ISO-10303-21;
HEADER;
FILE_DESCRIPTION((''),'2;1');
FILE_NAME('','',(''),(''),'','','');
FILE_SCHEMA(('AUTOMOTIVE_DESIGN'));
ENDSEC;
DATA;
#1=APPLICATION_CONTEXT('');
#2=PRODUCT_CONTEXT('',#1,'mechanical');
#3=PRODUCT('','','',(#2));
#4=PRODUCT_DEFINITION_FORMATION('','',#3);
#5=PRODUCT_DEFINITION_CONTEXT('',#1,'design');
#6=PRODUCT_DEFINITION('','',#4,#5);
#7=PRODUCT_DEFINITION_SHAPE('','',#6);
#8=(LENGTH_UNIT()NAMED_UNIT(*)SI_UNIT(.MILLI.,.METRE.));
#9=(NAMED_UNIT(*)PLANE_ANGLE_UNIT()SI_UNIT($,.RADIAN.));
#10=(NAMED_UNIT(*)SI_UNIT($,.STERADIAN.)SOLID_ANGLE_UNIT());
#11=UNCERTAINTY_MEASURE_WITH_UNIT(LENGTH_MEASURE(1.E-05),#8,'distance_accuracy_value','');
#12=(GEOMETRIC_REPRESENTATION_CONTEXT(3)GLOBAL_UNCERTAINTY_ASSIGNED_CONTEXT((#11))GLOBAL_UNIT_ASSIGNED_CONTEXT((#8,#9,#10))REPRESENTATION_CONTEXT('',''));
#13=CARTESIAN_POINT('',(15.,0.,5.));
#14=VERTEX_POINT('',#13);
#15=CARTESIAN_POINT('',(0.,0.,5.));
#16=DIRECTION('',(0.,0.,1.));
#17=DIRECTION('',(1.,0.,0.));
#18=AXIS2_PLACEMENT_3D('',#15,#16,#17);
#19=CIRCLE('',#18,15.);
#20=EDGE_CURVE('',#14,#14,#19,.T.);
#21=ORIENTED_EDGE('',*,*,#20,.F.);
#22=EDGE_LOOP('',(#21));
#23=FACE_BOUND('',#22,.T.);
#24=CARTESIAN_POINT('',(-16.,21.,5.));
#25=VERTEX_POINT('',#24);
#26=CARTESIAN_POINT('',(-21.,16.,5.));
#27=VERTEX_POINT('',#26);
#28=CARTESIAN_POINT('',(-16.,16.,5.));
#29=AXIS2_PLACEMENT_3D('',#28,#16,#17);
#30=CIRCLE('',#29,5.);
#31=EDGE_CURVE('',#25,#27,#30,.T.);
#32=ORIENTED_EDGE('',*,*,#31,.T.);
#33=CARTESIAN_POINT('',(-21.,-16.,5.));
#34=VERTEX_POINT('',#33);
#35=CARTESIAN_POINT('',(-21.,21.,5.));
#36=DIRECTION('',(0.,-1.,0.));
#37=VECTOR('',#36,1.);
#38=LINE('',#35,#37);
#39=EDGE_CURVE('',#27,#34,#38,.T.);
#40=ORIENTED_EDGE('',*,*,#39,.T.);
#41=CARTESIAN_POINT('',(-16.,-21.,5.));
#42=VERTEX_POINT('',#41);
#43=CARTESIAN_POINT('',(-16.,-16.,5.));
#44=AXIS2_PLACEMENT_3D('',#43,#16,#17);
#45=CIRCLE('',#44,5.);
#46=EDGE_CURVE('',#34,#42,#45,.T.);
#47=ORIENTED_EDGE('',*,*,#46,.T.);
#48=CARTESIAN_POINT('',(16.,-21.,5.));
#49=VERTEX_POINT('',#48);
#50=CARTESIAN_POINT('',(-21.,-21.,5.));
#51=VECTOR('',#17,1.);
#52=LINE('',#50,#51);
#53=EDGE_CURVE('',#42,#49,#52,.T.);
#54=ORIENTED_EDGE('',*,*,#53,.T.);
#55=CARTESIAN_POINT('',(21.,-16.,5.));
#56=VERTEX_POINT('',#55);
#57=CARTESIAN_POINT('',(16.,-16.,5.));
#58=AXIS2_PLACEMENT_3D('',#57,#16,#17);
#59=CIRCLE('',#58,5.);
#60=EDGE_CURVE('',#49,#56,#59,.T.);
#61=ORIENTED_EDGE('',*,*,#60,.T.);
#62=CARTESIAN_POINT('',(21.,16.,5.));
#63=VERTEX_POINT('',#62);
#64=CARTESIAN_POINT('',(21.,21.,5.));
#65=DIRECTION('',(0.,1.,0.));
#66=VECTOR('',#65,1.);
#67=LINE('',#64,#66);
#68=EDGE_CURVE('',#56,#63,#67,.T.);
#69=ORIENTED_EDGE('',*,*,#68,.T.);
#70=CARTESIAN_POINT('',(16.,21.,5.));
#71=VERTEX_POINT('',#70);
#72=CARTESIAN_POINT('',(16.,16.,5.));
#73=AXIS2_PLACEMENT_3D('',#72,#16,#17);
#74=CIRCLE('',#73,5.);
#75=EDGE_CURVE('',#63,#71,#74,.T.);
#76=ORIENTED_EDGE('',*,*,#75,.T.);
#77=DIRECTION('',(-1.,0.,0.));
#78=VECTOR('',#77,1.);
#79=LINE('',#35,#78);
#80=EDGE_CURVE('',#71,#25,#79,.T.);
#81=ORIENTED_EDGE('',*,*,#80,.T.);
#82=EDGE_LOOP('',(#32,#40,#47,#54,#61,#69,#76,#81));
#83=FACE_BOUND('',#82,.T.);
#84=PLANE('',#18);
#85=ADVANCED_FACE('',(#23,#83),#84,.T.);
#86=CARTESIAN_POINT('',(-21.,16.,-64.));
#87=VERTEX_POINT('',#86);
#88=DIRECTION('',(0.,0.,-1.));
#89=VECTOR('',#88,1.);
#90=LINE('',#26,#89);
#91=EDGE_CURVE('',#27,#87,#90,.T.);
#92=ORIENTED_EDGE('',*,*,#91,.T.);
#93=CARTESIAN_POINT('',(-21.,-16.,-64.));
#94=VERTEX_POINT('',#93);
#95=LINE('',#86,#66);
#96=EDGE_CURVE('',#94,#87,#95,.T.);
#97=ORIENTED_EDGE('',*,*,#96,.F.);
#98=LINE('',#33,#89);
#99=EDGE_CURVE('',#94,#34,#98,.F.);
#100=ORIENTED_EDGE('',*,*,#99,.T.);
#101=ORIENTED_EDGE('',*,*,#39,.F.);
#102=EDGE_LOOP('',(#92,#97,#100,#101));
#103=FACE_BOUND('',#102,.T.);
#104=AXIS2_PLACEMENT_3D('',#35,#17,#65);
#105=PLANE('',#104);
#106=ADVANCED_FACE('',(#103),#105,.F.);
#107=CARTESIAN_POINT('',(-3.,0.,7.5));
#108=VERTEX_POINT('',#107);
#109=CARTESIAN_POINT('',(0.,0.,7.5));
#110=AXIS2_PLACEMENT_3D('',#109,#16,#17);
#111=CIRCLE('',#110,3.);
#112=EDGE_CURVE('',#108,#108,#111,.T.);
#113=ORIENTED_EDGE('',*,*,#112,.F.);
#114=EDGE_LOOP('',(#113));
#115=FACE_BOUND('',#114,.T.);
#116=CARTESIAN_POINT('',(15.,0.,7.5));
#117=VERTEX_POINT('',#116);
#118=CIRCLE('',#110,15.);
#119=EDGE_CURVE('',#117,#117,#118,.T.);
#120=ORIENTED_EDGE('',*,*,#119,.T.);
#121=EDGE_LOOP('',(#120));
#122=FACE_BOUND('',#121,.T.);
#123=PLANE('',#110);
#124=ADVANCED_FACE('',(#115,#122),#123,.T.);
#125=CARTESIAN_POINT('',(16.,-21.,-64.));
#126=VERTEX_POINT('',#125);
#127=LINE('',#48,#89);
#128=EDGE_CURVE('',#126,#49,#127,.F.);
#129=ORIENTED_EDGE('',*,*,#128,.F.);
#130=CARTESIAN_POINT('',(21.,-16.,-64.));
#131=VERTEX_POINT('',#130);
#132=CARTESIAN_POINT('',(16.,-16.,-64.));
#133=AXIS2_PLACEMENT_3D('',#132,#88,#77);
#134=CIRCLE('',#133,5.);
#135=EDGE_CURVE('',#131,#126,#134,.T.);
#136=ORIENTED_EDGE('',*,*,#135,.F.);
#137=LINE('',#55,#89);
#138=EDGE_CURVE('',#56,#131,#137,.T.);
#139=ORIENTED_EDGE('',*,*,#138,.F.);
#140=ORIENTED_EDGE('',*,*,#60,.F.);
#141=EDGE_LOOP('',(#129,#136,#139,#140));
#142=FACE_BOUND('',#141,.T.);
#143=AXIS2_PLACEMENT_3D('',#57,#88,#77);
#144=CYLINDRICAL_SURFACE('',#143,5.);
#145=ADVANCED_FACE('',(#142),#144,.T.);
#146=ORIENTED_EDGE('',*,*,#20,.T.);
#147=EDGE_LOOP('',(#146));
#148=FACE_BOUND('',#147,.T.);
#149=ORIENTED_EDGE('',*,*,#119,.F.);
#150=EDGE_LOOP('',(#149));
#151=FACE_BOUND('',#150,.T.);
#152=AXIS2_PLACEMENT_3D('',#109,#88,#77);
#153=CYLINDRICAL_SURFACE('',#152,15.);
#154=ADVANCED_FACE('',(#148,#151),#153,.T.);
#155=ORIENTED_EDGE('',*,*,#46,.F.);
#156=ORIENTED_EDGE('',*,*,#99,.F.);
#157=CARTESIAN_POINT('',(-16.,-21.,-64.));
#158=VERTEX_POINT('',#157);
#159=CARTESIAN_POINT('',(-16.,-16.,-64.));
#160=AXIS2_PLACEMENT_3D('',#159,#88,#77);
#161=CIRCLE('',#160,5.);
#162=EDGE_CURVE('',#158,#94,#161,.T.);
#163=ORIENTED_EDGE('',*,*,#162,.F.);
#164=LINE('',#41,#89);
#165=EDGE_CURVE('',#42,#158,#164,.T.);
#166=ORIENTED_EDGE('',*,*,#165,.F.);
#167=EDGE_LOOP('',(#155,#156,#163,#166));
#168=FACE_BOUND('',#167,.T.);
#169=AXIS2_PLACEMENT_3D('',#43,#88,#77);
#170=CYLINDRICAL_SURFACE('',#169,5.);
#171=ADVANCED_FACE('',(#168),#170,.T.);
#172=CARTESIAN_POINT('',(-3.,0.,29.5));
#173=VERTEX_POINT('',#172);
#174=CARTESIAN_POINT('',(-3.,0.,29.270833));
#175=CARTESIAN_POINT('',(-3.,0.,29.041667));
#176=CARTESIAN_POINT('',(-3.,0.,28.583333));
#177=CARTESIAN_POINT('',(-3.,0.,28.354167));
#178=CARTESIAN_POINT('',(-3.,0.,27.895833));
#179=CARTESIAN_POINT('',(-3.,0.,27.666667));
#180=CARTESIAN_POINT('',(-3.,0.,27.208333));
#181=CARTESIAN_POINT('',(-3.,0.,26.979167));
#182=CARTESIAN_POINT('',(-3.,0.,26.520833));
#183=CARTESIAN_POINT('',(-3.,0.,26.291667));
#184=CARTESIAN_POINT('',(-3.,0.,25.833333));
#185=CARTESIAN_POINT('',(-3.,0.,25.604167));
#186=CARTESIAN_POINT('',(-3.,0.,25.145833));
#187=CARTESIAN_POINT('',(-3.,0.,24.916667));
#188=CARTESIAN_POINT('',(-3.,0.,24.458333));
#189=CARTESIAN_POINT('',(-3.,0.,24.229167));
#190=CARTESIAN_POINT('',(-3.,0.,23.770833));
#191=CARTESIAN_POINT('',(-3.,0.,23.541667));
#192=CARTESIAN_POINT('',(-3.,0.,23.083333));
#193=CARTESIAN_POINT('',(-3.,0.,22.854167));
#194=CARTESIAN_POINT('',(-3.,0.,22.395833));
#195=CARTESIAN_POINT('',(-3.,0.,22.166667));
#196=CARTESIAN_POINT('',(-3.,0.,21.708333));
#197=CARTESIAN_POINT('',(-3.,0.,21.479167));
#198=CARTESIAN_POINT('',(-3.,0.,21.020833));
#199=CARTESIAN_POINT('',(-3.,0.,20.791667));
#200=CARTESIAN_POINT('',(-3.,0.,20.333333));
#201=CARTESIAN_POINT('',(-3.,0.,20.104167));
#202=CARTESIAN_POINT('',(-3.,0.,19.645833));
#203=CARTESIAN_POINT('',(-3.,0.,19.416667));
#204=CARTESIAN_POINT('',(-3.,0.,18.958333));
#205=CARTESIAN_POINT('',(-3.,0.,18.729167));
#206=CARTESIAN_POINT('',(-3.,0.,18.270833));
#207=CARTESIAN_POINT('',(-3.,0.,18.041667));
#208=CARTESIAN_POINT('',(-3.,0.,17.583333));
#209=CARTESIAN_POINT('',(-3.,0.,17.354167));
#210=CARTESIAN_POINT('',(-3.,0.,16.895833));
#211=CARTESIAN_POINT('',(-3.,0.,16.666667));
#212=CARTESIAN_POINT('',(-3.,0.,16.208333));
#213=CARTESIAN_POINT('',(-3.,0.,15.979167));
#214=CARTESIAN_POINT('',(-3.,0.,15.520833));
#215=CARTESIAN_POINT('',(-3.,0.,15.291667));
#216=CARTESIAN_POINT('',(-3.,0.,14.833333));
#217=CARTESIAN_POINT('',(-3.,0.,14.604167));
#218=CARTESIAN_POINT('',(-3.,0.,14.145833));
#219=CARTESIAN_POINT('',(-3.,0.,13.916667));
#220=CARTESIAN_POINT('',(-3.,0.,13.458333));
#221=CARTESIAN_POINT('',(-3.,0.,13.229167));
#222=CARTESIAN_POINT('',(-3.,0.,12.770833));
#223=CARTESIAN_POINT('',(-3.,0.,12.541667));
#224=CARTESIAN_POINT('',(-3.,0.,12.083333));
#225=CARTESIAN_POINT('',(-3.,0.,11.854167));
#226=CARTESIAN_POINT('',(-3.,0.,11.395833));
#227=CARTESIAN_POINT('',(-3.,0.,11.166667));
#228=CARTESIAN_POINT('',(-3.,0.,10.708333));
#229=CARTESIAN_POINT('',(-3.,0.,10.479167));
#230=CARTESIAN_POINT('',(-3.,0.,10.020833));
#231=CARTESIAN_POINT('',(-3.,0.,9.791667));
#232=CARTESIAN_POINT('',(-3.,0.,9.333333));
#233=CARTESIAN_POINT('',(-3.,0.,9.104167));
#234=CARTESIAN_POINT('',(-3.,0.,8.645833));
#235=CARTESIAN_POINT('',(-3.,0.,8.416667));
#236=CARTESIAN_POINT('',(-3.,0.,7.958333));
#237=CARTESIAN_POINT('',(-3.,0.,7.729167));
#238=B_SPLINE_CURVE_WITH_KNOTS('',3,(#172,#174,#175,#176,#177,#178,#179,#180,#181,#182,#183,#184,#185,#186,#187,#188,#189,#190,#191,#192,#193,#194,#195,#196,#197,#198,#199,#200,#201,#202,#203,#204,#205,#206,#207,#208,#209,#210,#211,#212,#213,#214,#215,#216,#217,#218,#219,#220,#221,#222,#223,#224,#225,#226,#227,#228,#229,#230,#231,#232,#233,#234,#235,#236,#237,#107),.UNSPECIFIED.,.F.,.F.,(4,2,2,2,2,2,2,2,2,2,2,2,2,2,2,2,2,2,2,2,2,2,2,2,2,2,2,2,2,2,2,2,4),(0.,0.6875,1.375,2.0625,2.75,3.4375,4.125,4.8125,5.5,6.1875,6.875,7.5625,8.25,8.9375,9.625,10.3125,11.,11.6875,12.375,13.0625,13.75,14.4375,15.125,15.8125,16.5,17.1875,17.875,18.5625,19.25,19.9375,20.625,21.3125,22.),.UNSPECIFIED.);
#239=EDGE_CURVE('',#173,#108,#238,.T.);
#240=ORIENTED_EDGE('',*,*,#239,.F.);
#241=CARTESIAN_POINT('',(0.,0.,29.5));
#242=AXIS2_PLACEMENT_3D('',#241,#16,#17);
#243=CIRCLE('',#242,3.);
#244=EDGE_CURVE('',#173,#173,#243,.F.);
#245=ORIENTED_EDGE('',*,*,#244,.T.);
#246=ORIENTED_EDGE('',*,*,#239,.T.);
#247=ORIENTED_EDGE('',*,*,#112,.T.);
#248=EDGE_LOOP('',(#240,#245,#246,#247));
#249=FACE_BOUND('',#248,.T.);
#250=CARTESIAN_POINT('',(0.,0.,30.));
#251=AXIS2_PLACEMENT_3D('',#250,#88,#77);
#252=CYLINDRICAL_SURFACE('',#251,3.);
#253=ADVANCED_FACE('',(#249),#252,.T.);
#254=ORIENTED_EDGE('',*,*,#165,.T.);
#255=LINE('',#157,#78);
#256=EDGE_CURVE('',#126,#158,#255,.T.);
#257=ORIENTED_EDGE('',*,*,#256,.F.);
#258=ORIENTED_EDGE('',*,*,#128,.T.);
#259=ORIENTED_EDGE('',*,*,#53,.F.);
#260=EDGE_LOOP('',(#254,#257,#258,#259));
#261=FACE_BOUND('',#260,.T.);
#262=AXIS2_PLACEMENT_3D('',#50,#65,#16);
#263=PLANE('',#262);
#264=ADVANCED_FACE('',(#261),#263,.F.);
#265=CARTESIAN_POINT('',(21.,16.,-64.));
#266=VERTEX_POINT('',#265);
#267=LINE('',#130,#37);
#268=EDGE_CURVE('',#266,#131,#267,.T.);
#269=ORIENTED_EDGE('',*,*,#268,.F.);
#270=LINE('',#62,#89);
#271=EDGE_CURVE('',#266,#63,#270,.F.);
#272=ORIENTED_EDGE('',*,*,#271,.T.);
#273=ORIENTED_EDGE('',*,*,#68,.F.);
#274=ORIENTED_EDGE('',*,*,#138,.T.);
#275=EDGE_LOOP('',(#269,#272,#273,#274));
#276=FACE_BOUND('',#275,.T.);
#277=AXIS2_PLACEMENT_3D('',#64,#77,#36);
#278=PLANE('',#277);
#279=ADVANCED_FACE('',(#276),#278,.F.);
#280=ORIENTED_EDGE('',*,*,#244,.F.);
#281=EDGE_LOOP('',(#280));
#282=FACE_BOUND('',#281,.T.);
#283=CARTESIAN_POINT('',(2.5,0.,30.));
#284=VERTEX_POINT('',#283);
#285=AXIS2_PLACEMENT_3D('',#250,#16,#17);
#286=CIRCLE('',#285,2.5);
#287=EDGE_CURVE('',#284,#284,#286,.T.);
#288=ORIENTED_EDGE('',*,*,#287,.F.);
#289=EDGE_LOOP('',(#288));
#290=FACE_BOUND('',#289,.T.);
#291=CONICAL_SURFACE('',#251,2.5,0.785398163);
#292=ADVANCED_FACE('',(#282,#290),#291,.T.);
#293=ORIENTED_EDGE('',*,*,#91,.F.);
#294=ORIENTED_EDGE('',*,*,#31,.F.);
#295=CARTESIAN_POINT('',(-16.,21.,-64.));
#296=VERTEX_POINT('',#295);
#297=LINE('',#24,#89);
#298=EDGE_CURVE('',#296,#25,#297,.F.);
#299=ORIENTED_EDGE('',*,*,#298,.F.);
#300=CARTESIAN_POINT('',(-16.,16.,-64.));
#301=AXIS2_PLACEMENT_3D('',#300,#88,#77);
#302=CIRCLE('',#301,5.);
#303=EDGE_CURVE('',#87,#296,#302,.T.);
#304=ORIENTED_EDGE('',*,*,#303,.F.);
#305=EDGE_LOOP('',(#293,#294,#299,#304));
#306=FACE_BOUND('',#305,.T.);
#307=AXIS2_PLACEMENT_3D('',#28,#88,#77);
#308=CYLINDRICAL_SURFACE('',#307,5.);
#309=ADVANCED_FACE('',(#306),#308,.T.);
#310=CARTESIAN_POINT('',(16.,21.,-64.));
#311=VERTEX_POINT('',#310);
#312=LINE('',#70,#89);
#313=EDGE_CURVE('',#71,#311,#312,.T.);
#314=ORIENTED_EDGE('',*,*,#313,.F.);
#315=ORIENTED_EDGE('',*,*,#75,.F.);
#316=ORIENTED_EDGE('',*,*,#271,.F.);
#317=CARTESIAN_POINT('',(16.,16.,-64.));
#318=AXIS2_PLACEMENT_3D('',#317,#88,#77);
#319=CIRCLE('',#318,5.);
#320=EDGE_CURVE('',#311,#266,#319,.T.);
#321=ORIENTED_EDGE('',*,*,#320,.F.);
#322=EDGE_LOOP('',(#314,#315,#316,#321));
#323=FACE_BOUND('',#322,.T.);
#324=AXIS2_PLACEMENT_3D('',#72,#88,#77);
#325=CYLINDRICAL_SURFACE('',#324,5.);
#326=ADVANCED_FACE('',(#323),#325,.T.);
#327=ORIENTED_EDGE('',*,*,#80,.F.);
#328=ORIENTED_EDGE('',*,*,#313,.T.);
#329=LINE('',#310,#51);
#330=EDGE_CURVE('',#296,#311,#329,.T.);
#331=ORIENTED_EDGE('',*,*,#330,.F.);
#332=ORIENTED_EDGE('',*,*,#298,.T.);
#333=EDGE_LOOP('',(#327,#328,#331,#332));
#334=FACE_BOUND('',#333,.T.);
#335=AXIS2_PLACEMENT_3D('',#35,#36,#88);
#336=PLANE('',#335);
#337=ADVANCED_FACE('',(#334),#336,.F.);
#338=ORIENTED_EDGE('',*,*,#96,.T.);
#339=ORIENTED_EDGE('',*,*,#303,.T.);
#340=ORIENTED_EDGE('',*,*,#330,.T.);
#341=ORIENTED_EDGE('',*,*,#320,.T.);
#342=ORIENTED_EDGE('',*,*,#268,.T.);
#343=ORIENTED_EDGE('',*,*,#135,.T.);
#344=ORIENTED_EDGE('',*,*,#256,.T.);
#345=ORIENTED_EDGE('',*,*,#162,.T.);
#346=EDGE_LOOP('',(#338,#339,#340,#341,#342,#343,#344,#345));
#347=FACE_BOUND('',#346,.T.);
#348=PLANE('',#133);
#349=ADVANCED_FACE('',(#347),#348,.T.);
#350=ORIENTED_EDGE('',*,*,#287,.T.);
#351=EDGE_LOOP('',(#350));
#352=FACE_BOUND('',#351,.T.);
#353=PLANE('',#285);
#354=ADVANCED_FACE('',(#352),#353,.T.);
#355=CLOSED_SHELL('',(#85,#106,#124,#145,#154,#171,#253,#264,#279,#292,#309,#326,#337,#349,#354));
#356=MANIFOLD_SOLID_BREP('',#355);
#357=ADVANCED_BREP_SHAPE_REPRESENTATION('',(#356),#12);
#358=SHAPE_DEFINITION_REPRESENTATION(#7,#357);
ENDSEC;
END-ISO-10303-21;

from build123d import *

# Parameters (mm, degrees)
SKETCH1_W           = 42
SKETCH1_H           = 42
BOSS_EXTRUDE1_DEPTH = 5
FILLET1_R           = 5
SKETCH2_R           = 15
BOSS_EXTRUDE2_DEPTH = 2.5
SKETCH3_R           = 3
BOSS_EXTRUDE3_DEPTH = 22.5
BOSS_EXTRUDE5_DEPTH = 64
CHAMFER1_SIZE       = 0.5


with BuildPart() as part:
    # Sketch1 → Boss-Extrude1 (new body)
    with BuildSketch(Plane.XY):
        Rectangle(SKETCH1_W, SKETCH1_H)
    extrude(amount=BOSS_EXTRUDE1_DEPTH)

    # Fillet1
    fillet1_edges = [part.edges().sort_by_distance(p)[0] for p in [
        (21, -21, 2.5),
        (-21, -21, 2.5),
        (-21, 21, 2.5),
        (21, 21, 2.5),
    ]]
    fillet(fillet1_edges, radius=FILLET1_R)

    # Sketch2 → Boss-Extrude2 (add)
    with BuildSketch(Plane.XY.offset(5)):
        Circle(SKETCH2_R)
    extrude(amount=BOSS_EXTRUDE2_DEPTH)

    # Sketch3 → Boss-Extrude3 (add)
    with BuildSketch(Plane.XY.offset(7.5)):
        with Locations(Location((0, 0, 0), (0, 0, 180))):
            Circle(SKETCH3_R)
    extrude(amount=BOSS_EXTRUDE3_DEPTH)

    # Sketch4 → Boss-Extrude5 (add)
    with BuildSketch(Plane(origin=(0, 0, 0), x_dir=(-1, 0, 0), z_dir=(0, 0, -1))):
        with BuildLine():
            Line((-21, -16), (-21, 16))
            ThreePointArc((-21, 16), (-19.535533906, 19.535533906), (-16, 21))
            Line((-16, 21), (16, 21))
            ThreePointArc((16, 21), (19.535533906, 19.535533906), (21, 16))
            Line((21, 16), (21, -16))
            ThreePointArc((21, -16), (19.535533906, -19.535533906), (16, -21))
            Line((16, -21), (-16, -21))
            ThreePointArc((-16, -21), (-19.535533906, -19.535533906), (-21, -16))
        make_face()
    extrude(amount=BOSS_EXTRUDE5_DEPTH)

    # Chamfer1
    chamfer1_edges = [part.edges().sort_by_distance(p)[0] for p in [
        (3, 0, 30),
    ]]
    chamfer(chamfer1_edges, length=CHAMFER1_SIZE)


solid = part.part
